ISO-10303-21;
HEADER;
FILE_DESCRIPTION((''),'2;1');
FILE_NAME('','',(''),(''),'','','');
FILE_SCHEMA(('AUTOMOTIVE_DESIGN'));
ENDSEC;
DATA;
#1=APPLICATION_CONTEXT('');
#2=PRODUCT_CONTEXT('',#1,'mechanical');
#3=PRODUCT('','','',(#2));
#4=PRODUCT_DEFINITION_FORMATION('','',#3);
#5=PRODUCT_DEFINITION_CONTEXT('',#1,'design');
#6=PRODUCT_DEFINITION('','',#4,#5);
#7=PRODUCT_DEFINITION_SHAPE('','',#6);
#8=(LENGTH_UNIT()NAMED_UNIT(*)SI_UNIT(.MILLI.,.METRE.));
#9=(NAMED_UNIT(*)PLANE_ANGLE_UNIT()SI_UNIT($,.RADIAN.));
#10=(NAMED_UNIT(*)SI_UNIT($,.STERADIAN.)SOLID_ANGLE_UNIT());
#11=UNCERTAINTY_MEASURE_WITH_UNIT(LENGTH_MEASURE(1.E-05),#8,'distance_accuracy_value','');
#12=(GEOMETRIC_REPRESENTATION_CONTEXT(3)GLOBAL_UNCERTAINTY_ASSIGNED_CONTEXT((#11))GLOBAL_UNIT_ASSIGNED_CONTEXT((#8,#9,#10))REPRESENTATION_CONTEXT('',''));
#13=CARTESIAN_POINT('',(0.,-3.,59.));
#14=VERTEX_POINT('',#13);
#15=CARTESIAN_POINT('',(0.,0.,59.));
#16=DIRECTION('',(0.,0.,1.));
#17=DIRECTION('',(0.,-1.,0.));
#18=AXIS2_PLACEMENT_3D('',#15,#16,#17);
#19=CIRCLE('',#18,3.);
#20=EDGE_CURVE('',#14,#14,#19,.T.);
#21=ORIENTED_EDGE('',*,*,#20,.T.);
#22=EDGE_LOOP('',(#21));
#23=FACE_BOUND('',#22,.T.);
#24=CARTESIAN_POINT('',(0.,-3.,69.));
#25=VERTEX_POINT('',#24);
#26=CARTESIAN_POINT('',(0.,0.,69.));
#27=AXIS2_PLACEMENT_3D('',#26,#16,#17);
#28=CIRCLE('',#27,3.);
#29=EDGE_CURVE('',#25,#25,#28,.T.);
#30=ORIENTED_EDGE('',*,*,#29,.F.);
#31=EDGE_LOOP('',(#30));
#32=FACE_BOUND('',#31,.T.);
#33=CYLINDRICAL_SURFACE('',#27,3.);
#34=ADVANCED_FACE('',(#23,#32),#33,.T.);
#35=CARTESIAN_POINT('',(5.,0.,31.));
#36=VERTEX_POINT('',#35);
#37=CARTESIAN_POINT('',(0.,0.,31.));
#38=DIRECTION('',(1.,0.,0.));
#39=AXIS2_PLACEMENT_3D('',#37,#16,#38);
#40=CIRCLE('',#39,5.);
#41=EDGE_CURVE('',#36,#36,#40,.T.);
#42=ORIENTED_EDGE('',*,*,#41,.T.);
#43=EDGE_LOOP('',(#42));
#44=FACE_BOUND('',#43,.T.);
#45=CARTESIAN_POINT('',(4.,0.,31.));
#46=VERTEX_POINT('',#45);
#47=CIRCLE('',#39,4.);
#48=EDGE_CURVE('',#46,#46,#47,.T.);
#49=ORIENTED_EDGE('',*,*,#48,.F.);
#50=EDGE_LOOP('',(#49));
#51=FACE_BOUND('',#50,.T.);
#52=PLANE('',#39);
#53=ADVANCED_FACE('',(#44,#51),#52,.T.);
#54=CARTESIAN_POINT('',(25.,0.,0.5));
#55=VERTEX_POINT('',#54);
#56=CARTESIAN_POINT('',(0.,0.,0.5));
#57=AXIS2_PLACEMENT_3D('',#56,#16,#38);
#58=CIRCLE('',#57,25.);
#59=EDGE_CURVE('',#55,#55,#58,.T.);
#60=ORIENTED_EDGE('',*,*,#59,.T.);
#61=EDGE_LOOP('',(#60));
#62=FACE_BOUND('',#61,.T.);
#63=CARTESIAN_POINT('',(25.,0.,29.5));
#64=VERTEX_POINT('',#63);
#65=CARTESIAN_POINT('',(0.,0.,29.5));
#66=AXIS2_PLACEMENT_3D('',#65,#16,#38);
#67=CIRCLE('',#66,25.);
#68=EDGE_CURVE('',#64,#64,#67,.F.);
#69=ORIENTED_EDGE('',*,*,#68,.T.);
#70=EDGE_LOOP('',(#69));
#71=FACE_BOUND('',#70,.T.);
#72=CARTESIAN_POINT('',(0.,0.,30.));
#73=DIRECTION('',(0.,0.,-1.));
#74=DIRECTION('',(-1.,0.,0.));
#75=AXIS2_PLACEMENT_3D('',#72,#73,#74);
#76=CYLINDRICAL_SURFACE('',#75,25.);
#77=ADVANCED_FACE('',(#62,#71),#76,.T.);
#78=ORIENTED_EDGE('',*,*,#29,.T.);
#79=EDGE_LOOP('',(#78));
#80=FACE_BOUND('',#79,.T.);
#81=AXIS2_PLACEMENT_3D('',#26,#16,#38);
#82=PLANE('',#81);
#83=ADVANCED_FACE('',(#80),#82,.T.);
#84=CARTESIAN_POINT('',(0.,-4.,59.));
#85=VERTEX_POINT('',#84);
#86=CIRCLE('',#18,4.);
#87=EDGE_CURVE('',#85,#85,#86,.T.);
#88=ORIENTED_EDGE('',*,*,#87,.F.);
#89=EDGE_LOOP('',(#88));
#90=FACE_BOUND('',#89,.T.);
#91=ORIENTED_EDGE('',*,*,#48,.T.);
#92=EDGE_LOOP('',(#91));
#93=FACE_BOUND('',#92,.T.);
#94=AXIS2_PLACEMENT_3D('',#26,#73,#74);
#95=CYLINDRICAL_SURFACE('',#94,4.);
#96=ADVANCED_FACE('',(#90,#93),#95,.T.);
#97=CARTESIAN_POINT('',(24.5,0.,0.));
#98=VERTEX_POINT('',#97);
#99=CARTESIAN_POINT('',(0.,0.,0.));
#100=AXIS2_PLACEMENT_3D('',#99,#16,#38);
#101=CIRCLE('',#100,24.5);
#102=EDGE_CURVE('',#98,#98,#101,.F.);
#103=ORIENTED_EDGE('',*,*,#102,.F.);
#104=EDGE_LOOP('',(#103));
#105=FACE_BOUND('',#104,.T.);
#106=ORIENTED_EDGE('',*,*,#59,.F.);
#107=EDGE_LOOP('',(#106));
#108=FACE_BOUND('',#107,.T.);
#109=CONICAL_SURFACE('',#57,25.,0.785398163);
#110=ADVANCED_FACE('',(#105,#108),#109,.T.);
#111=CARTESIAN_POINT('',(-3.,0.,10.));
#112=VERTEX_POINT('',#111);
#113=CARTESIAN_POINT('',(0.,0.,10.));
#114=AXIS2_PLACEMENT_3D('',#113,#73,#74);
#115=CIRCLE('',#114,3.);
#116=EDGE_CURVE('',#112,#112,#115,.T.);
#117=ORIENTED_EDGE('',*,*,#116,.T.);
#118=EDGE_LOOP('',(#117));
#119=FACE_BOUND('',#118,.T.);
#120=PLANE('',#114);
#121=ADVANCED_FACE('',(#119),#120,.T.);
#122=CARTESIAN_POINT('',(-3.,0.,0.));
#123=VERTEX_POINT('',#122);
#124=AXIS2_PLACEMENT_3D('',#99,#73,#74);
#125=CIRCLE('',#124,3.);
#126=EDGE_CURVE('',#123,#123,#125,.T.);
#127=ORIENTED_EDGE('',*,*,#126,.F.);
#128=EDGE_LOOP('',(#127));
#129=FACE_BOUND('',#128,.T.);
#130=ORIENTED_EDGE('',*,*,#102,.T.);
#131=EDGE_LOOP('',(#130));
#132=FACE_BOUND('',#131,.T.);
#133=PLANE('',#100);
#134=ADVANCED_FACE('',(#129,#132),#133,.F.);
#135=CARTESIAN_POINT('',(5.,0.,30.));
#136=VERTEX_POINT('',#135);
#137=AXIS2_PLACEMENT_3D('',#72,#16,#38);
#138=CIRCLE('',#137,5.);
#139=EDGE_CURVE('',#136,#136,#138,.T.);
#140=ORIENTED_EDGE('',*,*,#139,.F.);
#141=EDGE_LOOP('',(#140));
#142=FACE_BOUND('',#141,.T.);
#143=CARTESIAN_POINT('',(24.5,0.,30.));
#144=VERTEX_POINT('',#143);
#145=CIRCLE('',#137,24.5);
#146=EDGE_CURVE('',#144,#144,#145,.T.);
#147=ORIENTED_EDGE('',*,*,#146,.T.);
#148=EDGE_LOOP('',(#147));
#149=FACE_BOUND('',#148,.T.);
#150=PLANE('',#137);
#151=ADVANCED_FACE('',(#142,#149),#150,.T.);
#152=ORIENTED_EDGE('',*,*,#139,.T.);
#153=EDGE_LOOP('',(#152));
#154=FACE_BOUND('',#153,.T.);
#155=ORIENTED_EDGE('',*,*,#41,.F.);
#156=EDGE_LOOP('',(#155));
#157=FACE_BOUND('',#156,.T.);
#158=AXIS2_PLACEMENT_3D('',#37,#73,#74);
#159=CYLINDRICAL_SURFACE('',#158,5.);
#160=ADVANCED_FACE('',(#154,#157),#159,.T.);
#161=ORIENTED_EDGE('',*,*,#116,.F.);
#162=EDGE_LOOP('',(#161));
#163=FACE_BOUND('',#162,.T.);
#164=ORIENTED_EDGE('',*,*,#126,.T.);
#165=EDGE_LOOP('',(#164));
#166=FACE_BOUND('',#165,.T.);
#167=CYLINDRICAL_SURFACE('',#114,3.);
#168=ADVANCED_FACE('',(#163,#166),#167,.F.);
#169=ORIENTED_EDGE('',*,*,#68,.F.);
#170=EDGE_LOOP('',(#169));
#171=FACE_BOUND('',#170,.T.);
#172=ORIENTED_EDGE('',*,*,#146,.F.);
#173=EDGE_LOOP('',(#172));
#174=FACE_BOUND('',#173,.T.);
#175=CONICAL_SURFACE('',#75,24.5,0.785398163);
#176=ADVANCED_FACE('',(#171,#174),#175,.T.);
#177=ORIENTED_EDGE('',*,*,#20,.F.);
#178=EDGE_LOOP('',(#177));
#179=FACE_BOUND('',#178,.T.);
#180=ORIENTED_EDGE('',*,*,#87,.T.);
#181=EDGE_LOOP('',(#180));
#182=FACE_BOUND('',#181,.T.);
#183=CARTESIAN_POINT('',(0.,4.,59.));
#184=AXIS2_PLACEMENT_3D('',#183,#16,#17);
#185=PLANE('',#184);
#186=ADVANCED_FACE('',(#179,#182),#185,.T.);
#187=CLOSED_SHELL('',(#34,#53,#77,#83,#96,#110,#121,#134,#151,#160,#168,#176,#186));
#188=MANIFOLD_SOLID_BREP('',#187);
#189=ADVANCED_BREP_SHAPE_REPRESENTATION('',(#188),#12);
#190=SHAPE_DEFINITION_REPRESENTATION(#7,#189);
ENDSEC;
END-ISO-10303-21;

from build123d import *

# Parameters (mm, degrees)
ESQUISSE1_R             = 25
BOSS_EXTRU_1_DEPTH      = 30
ESQUISSE2_R             = 4
BOSS_EXTRU_2_DEPTH      = 39
ESQUISSE3_R             = 5
BOSS_EXTRU_3_DEPTH      = 1
ESQUISSE4_R             = 3
ENL_V_MAT_EXTRU_1_DEPTH = 10
CHANFREIN1_SIZE         = 0.5
ESQUISSE5_W             = 10
ESQUISSE5_H             = 1


with BuildPart() as part:
    # Esquisse1 → Boss.-Extru.1 (new body)
    with BuildSketch(Plane.XY):
        Circle(ESQUISSE1_R)
    extrude(amount=BOSS_EXTRU_1_DEPTH)

    # Esquisse2 → Boss.-Extru.2 (add)
    with BuildSketch(Plane.XY.offset(30)):
        Circle(ESQUISSE2_R)
    extrude(amount=BOSS_EXTRU_2_DEPTH)

    # Esquisse3 → Boss.-Extru.3 (add)
    with BuildSketch(Plane.XY.offset(30)):
        Circle(ESQUISSE3_R)
    extrude(amount=BOSS_EXTRU_3_DEPTH)

    # Esquisse4 → Enlèv. mat.-Extru.1 (cut)
    with BuildSketch(Plane(origin=(0, 0, 0), x_dir=(-1, 0, 0), z_dir=(0, 0, -1))):
        Circle(ESQUISSE4_R)
    extrude(amount=-ENL_V_MAT_EXTRU_1_DEPTH, mode=Mode.SUBTRACT)

    # Chanfrein1
    chanfrein1_edges = [part.edges().sort_by_distance(p)[0] for p in [
        (-25, 0, 0),
        (-25, 0, 30),
        (-4, 0, 69),
    ]]
    chamfer(chanfrein1_edges, length=CHANFREIN1_SIZE)

    # Esquisse5 → Enlèvement de matière-Révolution1 (revolve, cut)
    with BuildSketch(Plane(origin=(0, 0, 0), x_dir=(0, 0, -1), z_dir=(1, 0, 0)), mode=Mode.PRIVATE) as enl_vement_de_mati_re_r_volution1_sk:
        with Locations((-64, 3.5)):
            Rectangle(ESQUISSE5_W, ESQUISSE5_H)
    revolve(enl_vement_de_mati_re_r_volution1_sk.sketch.rotate(Axis((0, 0, 69), (0, 0, -1)), 180), axis=Axis((0, 0, 69), (0, 0, -1)), mode=Mode.SUBTRACT)


solid = part.part
